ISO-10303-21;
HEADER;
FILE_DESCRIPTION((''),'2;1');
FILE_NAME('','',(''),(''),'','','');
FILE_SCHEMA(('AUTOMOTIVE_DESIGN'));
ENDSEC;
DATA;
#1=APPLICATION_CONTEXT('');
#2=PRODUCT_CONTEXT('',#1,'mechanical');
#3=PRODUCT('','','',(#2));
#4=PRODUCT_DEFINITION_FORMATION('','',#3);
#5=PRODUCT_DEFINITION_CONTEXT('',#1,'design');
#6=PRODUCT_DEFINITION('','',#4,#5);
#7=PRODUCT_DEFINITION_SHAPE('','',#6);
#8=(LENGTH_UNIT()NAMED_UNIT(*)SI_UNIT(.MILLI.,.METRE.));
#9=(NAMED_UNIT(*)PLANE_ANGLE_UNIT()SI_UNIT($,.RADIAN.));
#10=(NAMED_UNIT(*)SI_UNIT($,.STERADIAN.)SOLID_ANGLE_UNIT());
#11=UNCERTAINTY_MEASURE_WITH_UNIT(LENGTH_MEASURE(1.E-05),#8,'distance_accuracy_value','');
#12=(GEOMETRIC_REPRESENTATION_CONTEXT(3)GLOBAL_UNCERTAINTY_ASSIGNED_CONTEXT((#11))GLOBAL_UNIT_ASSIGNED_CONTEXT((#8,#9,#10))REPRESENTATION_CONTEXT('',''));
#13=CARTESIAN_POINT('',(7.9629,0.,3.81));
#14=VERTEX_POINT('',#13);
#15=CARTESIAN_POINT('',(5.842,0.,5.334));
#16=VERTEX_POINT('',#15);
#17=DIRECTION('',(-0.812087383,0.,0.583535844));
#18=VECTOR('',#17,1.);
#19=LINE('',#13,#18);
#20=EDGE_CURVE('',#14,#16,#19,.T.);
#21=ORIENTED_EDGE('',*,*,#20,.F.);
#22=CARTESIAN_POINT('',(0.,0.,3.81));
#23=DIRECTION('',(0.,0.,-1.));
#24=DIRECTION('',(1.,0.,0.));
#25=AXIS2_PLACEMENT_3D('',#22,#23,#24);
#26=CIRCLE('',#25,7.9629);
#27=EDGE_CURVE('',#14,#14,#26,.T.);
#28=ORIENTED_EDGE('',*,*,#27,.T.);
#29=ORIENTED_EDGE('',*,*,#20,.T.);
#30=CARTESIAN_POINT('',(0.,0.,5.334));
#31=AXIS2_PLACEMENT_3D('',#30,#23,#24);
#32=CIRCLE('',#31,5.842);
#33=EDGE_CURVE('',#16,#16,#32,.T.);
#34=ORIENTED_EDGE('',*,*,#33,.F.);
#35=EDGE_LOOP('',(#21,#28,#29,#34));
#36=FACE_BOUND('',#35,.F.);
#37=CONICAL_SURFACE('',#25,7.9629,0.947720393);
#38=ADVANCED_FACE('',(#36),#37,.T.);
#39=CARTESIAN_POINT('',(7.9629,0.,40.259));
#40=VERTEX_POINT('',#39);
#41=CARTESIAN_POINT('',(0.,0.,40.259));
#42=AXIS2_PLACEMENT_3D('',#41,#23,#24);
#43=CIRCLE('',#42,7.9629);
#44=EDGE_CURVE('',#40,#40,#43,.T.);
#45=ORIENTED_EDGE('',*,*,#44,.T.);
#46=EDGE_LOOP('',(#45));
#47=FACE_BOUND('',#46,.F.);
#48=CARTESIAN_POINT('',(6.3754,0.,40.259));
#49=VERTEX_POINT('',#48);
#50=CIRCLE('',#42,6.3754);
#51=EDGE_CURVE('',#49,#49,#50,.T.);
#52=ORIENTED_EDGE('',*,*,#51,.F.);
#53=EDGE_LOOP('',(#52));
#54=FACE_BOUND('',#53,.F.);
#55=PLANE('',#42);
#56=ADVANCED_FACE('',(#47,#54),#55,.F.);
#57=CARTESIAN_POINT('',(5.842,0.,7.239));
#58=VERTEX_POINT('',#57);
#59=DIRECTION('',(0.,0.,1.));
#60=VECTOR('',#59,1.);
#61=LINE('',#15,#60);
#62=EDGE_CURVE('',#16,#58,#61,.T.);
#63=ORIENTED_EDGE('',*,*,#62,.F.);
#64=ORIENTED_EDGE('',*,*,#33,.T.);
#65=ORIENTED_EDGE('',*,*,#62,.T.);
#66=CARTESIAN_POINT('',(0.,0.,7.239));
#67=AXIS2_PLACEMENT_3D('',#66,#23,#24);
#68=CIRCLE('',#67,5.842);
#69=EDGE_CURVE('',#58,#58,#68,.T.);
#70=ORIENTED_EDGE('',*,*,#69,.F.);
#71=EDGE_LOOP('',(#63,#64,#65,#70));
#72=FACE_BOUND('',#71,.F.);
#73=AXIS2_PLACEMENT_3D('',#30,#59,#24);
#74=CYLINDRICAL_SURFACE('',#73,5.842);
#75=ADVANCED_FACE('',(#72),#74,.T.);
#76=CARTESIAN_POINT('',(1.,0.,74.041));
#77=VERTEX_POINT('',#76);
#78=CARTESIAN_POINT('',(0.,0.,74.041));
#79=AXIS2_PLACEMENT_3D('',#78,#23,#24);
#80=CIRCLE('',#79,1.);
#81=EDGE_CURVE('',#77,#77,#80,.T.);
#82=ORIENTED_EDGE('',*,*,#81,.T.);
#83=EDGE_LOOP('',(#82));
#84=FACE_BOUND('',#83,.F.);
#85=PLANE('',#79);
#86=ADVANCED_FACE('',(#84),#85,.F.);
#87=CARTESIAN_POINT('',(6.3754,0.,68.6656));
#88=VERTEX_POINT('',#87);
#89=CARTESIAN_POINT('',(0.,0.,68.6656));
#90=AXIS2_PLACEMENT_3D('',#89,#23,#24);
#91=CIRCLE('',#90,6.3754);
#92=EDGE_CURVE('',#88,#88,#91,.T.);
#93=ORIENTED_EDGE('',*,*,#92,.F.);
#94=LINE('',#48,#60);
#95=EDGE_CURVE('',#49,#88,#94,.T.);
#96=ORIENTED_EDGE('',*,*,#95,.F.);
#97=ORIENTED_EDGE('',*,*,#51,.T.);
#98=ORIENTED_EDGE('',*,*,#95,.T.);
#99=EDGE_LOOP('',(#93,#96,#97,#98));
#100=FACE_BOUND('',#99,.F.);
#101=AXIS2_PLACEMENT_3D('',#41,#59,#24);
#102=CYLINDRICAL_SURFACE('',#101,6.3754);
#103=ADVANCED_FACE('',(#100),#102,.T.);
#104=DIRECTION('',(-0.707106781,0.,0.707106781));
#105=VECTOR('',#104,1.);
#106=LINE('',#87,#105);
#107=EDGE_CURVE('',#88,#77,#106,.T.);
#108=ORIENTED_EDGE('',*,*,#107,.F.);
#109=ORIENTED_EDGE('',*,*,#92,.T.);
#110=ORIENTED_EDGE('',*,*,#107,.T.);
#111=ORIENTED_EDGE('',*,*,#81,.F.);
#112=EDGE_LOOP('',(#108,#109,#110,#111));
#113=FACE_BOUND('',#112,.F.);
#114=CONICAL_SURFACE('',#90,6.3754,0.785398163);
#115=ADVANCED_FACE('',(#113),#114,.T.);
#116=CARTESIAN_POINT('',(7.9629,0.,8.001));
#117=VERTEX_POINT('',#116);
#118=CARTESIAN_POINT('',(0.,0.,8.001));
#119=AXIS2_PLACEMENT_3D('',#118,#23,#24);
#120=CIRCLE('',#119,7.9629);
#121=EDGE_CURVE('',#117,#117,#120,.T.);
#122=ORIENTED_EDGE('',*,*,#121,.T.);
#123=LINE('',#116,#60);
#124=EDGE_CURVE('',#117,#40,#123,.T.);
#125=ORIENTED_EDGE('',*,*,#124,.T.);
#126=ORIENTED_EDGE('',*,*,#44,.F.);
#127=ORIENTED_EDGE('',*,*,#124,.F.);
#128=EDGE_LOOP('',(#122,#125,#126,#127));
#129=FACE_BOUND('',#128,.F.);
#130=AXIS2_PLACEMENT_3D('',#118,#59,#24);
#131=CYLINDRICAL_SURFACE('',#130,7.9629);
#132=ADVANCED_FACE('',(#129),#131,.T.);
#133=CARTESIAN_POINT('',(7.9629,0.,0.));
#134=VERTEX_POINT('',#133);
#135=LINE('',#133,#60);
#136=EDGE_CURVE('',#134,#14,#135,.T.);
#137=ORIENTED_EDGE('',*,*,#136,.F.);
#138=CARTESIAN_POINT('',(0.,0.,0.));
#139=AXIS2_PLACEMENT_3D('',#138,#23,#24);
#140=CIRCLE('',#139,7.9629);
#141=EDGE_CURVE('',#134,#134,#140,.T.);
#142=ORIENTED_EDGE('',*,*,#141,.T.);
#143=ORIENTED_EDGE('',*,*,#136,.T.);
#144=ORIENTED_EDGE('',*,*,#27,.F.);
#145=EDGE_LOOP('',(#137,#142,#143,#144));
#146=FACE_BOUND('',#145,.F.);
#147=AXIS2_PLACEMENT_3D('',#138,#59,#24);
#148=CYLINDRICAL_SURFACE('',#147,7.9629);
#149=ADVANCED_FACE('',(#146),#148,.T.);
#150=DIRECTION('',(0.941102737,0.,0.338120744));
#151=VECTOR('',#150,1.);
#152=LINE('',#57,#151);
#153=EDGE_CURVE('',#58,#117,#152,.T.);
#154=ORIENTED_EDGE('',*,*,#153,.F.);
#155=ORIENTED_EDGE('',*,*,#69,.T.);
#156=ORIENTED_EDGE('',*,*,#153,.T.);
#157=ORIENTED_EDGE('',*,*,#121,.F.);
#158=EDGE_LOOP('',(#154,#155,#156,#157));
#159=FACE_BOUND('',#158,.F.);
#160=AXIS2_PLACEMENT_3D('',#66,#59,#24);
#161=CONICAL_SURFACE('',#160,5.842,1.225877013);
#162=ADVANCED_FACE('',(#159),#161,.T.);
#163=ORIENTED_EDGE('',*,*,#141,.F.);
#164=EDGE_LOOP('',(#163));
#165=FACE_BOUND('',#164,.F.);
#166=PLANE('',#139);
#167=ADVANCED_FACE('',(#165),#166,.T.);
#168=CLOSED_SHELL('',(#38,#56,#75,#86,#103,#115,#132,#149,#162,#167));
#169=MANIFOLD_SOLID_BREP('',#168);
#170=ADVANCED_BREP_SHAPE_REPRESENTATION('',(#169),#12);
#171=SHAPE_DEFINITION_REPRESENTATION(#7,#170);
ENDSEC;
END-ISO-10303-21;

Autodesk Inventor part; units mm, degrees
ref_plane "YZ Plane" through (0, 0, 0) normal (1, 0, 0) x (0, 1, 0)
ref_plane "XZ Plane" through (0, 0, 0) normal (0, 1, 0) x (-1, 0, 0)
ref_plane "XY Plane" through (0, 0, 0) normal (0, 0, 1) x (1, 0, 0)
sketch "Sketch1" plane through (0, 0, 0) normal (0, 1, 0) x (-1, 0, 0)
  line L0 (0, 0) -> (-7.9629, 0)
  line L1 (-7.9629, 0) -> (-7.9629, 3.81)
  line L2 (-7.9629, 3.81) -> (-5.842, 5.334)
  line L3 (-5.842, 5.334) -> (-5.842, 7.239)
  line L4 (-5.842, 7.239) -> (-7.9629, 8.001)
  line L5 (-7.9629, 8.001) -> (-7.9629, 40.259)
  line L6 (-7.9629, 40.259) -> (-6.3754, 40.259)
  line L7 (-6.3754, 40.259) -> (-6.3754, 68.6656)
  line L8 (-6.3754, 68.6656) -> (-1, 74.041)
  line L9 (-1, 74.041) -> (0, 74.041)
  line L10 (0, 74.041) -> (0, 0)
  dimension "d1" = 3.81
  dimension "d3" = 74.041
  dimension "d4" = 32.258
  dimension "d5" = 0.762
  dimension "d6" = 1.524
  dimension "d7" = 4.191
  dimension "d8" = 5.842
  dimension "d9" = 7.9629
  dimension "d10" = 6.3754
  dimension "d11" = 45
  dimension "d12" = 1
revolve "Revolution1" add sketch "Sketch1" angle 360 about axis through (0, 0, 74.041) along (0, 0, -1)
properties part number "ubis"
